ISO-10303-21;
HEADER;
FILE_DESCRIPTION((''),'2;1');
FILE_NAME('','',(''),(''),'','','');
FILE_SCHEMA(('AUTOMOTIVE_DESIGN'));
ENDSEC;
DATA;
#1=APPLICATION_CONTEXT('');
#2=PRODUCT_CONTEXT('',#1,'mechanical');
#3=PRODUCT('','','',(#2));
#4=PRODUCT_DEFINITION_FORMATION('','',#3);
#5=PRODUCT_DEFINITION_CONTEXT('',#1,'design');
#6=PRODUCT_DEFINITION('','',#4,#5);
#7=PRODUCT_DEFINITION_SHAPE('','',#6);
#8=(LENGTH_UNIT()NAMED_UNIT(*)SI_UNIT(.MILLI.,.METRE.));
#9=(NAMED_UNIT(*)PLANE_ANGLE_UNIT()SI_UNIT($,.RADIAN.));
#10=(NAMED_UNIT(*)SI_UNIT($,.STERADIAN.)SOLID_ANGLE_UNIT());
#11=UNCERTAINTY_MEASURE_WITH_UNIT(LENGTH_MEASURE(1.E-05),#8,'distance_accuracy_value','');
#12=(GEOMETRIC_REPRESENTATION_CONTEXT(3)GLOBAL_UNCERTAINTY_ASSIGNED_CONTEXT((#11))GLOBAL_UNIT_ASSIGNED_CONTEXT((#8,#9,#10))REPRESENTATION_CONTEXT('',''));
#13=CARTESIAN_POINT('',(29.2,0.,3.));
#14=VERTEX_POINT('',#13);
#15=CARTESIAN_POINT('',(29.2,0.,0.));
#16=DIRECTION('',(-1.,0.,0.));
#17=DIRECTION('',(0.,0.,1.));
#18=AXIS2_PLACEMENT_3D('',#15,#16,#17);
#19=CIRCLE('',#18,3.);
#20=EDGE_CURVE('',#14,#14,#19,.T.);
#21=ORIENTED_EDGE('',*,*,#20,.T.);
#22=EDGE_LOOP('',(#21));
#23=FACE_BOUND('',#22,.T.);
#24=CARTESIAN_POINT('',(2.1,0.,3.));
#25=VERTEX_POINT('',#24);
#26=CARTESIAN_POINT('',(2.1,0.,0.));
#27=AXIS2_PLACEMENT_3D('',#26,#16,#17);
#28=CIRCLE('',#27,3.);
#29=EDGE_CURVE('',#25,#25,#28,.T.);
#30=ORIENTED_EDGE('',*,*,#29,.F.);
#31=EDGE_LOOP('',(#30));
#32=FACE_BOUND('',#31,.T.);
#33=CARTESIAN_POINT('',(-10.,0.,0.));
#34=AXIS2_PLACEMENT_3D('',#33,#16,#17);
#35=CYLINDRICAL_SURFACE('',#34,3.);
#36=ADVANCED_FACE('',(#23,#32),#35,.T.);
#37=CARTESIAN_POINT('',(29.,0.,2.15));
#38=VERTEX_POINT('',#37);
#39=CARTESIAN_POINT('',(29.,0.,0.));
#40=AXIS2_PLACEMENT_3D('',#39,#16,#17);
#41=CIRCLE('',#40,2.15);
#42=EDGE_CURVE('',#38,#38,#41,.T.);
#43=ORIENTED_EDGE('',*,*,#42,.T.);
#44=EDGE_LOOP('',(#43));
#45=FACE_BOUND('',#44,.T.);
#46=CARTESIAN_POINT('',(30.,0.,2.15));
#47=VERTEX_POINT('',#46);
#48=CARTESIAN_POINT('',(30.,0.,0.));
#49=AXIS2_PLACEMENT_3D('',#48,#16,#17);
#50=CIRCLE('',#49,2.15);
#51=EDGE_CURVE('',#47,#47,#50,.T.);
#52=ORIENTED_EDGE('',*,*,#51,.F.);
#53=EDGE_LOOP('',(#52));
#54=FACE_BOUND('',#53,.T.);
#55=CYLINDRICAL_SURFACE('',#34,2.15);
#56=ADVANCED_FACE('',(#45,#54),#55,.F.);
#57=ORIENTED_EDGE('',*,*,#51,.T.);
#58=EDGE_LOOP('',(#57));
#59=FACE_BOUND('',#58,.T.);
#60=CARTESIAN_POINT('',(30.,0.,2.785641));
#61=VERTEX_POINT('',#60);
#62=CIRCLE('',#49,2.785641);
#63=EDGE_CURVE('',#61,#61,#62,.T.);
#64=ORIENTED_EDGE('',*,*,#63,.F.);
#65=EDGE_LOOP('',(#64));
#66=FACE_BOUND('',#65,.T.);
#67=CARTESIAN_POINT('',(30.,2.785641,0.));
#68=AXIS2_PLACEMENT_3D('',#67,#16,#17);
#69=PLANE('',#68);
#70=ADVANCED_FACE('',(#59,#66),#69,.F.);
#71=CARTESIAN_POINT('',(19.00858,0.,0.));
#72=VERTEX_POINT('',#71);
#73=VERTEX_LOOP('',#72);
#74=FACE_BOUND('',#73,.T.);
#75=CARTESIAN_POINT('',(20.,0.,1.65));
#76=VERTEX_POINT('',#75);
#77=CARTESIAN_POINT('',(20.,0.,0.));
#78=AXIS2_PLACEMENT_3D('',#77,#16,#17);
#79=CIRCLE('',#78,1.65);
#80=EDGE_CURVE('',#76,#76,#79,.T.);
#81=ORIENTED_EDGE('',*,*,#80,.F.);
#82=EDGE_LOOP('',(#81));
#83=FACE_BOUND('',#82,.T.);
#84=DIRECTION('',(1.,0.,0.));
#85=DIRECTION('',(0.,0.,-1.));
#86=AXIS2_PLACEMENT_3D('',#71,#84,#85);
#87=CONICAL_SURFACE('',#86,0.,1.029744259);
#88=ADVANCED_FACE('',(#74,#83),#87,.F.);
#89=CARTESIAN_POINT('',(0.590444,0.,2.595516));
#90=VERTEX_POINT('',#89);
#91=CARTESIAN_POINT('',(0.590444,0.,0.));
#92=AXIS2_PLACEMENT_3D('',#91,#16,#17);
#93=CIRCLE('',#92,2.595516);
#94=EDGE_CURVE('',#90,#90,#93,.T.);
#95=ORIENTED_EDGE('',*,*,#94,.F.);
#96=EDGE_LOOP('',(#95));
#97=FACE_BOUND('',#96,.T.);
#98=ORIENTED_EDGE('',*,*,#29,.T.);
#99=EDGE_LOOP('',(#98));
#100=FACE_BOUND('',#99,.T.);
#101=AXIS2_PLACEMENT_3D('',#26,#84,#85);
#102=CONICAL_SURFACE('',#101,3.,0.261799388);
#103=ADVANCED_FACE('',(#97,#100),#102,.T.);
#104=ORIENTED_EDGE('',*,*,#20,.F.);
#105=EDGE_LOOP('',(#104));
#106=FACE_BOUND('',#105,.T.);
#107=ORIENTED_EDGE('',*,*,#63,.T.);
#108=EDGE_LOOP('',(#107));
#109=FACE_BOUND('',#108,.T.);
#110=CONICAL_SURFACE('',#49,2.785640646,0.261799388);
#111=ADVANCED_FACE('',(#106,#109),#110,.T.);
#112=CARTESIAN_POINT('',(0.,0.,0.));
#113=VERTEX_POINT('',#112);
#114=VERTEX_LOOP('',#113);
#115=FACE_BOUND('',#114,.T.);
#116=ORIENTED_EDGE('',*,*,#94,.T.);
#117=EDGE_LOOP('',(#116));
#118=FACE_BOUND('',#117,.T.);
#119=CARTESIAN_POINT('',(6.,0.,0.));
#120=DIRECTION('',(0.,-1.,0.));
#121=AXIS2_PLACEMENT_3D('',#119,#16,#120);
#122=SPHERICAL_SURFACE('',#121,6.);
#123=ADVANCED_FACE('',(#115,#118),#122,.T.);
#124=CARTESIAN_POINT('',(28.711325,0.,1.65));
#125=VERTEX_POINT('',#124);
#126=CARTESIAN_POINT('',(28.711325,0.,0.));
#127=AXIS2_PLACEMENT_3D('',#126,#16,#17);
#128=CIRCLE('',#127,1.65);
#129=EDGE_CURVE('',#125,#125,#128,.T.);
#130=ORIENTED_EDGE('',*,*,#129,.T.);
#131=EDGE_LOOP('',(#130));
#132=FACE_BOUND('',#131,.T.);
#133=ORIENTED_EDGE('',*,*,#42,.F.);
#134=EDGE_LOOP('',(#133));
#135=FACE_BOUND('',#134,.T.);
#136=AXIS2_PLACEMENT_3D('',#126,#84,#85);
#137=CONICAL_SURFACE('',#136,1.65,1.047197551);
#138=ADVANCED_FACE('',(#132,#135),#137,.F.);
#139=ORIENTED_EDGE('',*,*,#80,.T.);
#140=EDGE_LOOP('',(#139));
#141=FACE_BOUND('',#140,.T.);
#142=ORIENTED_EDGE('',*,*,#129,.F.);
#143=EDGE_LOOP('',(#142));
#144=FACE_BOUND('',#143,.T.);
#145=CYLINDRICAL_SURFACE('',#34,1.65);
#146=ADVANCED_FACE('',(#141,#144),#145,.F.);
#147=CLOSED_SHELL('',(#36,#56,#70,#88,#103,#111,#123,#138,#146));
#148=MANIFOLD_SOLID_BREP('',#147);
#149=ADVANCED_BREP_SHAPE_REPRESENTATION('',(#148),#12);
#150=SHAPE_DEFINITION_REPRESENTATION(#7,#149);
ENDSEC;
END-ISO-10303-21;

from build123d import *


with BuildPart() as part:
    # Sketch1 → Base-Revolve (revolve)
    with BuildSketch(Plane.XY, mode=Mode.PRIVATE) as base_revolve_sk:
        Polygon((0, 0), (0, 2.437306696), (2.1, 3), (29.2, 3), (30, 2.785640646), (30, 2.15), (29, 2.15), (28.711324865, 1.65), (20, 1.65), (19.008579979, 0), align=None)
    revolve(base_revolve_sk.sketch.rotate(Axis((-10, 0, 0), (1, 0, 0)), 90), axis=Axis((-10, 0, 0), (1, 0, 0)))

    # Sketch2 → TypeA (revolve, cut)
    with BuildSketch(Plane.XY, mode=Mode.PRIVATE) as typea_sk:
        with BuildLine():
            Line((0.590443768, 2.595515627), (0.590443768, 8))
            Line((0.590443768, 8), (-5, 8))
            Line((-5, 8), (-5, 0))
            Line((-5, 0), (0, 0))
            ThreePointArc((0, 0), (0.149472785, 1.33091371), (0.590443768, 2.595515627))
        make_face()
    revolve(typea_sk.sketch.rotate(Axis((0, 0, 0), (1, 0, 0)), 180), axis=Axis((0, 0, 0), (1, 0, 0)), mode=Mode.SUBTRACT)


solid = part.part
